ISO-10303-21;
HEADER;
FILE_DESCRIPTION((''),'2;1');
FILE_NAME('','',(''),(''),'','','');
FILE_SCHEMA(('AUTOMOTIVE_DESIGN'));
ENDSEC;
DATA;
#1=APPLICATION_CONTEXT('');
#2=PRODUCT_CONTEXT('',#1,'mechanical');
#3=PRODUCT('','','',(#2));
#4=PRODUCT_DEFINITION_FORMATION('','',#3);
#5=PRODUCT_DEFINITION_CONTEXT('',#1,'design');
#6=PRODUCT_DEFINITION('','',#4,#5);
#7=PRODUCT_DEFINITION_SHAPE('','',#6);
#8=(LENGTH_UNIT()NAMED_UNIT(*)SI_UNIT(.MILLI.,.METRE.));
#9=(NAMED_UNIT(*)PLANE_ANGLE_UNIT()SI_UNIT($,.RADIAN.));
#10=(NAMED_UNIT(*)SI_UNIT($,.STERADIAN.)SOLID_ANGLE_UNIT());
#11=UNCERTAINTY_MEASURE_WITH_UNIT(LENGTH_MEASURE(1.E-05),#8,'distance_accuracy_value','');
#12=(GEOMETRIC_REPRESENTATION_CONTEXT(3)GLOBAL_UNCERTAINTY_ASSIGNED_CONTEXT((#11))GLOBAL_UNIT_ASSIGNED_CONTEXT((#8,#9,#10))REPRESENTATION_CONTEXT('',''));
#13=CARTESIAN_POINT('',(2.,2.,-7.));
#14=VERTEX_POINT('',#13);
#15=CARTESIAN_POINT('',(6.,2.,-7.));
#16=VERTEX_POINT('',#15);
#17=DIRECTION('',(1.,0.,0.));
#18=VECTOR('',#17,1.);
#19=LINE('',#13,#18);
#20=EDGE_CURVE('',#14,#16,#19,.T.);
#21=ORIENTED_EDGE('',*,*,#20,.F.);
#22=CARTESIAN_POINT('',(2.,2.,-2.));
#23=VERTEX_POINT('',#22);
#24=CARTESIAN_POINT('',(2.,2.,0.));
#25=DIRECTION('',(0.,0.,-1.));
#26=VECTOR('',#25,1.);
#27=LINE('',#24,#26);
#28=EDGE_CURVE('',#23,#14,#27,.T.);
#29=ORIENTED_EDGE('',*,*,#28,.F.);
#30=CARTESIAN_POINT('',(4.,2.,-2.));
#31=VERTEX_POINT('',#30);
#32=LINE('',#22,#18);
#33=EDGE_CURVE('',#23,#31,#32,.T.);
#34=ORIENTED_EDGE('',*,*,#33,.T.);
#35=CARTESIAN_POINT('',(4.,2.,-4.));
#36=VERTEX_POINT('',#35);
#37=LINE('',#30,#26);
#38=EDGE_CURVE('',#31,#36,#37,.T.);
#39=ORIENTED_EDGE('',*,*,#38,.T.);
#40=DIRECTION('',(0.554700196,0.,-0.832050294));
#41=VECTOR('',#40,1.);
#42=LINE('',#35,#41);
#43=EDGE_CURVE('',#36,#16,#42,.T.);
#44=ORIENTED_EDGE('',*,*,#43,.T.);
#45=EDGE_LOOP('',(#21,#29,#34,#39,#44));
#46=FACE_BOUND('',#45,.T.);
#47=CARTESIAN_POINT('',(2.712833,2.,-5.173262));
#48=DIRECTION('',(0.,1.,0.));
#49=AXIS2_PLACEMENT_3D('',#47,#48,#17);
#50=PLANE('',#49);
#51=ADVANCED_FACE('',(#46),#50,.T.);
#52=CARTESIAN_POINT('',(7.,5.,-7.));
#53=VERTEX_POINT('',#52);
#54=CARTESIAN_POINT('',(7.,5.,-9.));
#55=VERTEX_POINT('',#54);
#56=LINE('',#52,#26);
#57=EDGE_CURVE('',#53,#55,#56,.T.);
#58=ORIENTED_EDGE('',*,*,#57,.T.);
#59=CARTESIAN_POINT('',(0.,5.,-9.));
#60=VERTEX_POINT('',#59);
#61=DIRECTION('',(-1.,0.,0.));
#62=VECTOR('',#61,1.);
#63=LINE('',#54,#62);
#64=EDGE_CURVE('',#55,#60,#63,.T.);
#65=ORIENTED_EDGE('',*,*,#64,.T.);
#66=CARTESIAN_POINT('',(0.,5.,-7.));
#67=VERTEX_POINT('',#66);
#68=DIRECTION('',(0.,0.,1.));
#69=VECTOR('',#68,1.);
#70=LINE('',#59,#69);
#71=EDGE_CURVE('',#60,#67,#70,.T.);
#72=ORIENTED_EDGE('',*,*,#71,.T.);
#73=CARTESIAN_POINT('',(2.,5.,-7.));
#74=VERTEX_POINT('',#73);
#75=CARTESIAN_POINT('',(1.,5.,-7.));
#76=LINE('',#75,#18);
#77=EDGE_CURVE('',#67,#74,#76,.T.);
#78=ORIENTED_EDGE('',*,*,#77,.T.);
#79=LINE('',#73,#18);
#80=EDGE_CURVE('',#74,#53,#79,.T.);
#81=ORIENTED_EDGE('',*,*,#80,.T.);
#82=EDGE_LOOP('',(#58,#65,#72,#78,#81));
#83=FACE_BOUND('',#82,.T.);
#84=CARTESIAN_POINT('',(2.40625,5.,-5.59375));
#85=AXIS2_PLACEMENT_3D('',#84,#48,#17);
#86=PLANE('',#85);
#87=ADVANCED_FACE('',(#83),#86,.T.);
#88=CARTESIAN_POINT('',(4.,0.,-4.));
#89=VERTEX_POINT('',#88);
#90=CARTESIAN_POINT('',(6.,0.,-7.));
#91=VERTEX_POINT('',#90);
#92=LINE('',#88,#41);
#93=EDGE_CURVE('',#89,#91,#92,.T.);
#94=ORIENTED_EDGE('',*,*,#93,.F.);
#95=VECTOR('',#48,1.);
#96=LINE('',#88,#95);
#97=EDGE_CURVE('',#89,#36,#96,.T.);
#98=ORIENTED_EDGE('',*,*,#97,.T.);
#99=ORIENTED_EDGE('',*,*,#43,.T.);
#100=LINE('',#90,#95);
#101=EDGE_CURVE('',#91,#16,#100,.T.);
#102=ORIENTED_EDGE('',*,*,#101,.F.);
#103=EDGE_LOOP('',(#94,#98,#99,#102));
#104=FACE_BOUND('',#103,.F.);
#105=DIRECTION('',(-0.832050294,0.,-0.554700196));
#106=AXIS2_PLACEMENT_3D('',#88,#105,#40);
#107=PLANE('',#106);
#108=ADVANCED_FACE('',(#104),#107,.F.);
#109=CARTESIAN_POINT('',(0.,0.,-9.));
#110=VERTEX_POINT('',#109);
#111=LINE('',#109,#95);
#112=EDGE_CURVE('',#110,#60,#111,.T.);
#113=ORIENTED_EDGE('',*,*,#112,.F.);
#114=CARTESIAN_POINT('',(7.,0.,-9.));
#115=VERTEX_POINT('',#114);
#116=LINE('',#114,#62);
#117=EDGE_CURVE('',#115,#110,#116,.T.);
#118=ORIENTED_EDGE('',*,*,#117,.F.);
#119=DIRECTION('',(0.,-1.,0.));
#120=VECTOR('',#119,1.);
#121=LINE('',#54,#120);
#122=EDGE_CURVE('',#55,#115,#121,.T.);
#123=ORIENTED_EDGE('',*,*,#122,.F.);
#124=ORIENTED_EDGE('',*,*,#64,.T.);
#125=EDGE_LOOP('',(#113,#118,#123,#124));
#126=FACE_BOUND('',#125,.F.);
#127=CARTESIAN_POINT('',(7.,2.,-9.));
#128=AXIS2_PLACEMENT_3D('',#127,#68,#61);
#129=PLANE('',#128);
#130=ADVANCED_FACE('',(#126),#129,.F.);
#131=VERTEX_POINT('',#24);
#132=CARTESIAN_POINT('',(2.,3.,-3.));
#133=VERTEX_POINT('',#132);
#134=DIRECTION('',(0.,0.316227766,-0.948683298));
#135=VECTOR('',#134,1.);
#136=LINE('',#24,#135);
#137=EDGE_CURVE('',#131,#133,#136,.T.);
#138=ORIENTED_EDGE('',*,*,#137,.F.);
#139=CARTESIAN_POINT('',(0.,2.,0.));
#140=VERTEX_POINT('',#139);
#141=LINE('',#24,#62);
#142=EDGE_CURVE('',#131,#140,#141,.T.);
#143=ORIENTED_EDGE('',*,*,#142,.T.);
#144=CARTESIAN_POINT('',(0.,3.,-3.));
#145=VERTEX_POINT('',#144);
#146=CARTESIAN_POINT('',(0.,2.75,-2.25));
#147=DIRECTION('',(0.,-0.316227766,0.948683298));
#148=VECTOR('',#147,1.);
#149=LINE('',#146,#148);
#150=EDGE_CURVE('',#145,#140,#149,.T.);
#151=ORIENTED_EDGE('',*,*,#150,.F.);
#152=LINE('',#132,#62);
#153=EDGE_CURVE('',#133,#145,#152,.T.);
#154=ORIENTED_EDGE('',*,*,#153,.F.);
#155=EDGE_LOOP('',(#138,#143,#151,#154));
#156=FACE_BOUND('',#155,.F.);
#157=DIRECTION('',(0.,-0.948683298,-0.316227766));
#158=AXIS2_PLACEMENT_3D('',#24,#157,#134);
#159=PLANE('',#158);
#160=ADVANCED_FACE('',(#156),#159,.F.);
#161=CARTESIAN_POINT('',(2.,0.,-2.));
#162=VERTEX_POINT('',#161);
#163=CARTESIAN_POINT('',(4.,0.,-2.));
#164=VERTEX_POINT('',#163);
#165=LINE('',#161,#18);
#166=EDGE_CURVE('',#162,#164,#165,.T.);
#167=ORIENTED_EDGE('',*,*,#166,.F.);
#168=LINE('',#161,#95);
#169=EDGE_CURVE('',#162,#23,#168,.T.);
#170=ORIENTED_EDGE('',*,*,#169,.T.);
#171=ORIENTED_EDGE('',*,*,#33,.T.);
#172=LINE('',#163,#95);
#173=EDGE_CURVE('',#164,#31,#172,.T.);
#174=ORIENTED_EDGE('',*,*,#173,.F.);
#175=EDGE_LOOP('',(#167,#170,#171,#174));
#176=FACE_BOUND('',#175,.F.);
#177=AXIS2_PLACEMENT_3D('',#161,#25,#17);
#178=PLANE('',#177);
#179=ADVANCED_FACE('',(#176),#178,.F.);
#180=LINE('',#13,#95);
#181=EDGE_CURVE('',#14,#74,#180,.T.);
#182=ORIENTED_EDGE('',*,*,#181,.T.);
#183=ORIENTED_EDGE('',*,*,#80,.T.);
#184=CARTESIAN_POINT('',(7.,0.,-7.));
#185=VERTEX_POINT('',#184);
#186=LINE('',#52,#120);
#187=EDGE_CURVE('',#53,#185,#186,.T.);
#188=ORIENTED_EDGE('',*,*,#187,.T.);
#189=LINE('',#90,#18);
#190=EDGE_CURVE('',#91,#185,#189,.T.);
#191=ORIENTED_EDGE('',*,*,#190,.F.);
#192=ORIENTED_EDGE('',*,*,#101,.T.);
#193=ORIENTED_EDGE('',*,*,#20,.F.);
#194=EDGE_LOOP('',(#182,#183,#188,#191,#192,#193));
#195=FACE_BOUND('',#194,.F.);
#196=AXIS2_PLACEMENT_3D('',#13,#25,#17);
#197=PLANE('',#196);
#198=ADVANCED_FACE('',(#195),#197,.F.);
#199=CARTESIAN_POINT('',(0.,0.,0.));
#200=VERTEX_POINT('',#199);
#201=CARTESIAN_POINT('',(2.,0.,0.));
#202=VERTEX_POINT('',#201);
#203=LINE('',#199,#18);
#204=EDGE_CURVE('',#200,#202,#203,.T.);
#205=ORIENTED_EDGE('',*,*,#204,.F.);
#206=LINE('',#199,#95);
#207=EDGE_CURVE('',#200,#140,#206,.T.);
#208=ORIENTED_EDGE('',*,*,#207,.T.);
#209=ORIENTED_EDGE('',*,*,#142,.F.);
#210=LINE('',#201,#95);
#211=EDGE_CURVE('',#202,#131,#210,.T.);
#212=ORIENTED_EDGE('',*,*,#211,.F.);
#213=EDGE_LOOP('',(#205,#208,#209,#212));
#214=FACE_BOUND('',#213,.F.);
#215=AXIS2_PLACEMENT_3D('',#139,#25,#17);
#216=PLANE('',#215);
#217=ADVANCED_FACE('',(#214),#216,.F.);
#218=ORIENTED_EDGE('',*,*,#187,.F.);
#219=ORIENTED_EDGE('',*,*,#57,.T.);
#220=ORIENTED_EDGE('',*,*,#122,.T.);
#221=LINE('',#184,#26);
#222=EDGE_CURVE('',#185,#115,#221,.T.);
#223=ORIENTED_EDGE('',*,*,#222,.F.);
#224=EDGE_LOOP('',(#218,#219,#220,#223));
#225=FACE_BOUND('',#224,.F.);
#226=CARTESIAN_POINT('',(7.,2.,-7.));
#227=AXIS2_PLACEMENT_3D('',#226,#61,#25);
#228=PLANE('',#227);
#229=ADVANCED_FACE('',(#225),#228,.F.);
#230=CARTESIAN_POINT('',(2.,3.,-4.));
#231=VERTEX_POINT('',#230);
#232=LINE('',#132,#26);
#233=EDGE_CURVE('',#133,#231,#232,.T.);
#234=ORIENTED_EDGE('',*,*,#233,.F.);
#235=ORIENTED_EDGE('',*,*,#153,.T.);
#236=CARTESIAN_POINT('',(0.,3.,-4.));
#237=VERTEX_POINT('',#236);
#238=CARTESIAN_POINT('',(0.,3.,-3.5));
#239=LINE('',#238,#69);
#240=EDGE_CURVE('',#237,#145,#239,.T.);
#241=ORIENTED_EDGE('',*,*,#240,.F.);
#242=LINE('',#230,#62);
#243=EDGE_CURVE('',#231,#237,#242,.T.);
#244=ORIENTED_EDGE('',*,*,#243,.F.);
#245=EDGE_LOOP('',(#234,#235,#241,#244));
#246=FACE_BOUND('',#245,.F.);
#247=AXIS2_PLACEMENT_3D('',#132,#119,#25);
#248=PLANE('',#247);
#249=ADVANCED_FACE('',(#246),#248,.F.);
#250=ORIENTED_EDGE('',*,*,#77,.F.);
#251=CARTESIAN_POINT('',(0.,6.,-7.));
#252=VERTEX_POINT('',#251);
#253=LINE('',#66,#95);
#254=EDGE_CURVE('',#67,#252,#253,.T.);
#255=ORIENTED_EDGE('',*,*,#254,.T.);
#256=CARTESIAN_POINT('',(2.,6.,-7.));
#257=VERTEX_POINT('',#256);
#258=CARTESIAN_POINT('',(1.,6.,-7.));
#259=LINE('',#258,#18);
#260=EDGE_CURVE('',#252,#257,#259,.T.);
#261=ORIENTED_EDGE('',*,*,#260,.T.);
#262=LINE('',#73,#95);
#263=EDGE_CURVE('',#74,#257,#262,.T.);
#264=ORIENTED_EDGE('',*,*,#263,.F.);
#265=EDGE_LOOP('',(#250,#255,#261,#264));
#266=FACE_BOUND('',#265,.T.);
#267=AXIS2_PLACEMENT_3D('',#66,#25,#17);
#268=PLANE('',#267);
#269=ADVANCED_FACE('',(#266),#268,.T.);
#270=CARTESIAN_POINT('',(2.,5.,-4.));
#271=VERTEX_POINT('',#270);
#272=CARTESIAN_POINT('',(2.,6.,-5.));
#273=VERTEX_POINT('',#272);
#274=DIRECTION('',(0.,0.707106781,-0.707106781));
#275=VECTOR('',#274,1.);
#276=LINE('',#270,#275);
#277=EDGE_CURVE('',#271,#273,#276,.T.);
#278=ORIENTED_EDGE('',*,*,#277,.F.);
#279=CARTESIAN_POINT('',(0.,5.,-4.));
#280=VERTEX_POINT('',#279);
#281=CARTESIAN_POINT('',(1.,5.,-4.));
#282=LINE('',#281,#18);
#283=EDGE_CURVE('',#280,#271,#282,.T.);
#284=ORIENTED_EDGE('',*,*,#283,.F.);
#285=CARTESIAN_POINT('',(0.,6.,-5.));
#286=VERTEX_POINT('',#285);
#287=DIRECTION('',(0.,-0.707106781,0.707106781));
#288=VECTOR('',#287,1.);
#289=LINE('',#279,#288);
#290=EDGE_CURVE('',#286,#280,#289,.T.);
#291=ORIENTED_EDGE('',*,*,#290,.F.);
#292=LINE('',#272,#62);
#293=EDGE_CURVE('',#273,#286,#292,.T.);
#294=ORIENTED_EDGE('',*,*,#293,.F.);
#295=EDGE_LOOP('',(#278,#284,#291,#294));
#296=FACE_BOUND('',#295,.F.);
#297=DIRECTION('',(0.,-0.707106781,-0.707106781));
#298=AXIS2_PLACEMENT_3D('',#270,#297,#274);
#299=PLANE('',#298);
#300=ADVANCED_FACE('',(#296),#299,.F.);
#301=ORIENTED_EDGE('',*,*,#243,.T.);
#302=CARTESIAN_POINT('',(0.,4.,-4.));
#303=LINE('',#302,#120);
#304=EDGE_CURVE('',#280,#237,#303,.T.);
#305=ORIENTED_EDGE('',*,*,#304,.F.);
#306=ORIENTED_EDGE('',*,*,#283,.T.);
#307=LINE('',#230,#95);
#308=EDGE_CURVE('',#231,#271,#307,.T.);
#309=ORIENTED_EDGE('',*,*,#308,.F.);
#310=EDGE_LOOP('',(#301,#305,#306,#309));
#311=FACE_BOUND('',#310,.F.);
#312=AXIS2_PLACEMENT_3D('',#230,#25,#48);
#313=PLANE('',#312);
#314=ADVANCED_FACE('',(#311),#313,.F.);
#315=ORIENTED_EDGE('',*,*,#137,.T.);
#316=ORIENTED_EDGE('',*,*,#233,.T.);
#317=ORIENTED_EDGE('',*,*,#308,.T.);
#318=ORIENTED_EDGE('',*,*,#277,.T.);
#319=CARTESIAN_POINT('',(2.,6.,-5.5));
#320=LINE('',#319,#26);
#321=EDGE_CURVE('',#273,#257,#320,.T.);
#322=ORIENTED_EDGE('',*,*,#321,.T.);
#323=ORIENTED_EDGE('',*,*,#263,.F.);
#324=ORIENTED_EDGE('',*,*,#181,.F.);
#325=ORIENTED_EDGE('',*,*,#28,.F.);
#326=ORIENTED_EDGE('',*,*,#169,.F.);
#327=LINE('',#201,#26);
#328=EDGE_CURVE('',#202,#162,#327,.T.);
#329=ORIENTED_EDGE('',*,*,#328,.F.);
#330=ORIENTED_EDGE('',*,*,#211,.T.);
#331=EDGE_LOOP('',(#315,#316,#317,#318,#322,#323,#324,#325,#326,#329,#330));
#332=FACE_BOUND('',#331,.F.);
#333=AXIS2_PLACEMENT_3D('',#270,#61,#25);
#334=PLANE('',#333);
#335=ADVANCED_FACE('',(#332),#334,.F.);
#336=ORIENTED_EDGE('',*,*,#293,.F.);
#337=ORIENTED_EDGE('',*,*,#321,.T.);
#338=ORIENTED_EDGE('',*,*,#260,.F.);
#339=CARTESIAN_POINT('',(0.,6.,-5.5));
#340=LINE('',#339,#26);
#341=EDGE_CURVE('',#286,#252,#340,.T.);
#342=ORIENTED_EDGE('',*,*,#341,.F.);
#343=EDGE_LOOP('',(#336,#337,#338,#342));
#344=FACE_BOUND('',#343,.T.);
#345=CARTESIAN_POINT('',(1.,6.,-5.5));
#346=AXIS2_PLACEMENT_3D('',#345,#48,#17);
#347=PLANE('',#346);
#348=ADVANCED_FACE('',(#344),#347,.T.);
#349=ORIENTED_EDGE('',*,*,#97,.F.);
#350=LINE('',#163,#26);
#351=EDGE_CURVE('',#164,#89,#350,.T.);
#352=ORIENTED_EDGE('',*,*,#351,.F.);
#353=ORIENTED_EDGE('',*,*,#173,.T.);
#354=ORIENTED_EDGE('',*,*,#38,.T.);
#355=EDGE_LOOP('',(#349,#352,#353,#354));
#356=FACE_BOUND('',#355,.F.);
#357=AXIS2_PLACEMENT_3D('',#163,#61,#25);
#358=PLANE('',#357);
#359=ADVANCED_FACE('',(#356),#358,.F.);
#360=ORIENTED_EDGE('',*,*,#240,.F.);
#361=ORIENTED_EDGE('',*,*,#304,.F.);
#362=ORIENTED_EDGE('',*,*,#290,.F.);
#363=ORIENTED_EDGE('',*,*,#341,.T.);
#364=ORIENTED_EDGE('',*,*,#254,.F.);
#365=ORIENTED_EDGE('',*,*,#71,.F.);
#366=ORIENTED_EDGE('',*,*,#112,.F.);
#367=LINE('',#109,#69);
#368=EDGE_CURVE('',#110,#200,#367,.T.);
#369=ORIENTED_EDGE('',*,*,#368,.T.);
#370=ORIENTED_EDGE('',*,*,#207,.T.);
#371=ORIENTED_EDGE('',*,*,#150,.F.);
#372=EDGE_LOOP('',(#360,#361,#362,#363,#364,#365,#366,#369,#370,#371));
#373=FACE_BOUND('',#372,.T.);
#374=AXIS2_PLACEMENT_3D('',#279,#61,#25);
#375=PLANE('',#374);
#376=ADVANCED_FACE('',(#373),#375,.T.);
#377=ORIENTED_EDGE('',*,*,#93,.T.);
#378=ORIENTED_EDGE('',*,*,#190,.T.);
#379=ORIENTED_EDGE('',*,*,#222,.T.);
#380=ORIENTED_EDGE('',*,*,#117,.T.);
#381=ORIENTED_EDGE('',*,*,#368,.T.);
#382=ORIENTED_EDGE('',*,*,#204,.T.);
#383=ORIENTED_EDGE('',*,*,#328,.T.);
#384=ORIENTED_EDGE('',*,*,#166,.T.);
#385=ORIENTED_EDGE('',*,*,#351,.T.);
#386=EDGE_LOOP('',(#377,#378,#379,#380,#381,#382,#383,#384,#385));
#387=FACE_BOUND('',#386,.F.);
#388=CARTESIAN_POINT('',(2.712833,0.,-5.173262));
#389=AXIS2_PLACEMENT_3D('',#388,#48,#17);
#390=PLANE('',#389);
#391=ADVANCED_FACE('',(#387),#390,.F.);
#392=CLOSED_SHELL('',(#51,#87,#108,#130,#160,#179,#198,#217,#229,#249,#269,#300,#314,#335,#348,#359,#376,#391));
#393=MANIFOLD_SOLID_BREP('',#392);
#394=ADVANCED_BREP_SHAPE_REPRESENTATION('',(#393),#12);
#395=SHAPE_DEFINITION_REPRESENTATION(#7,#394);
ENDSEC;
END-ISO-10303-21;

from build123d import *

# Parameters (mm, degrees)
BOSS_EXTRUDE1_DEPTH = 2
BOSS_EXTRUDE2_DEPTH = 3
SKETCH3_W           = 2
SKETCH3_H           = 3
BOSS_EXTRUDE3_DEPTH = 1
CUT_EXTRUDE1_DEPTH  = 3


with BuildPart() as part:
    # Sketch1 → Boss-Extrude1 (new body)
    with BuildSketch(Plane(origin=(0, 0, 0), x_dir=(1, 0, 0), z_dir=(0, 1, 0))):
        Polygon((0, 0), (2, 0), (2, 2), (4, 2), (4, 4), (6, 7), (7, 7), (7, 9), (0, 9), align=None)
    extrude(amount=BOSS_EXTRUDE1_DEPTH)

    # Sketch2 → Boss-Extrude2 (add)
    with BuildSketch(Plane(origin=(0, 2, 0), x_dir=(1, 0, 0), z_dir=(0, 1, 0))):
        Polygon((7, 9), (0, 9), (0, 0), (2, 0), (2, 7), (7, 7), align=None)
    extrude(amount=BOSS_EXTRUDE2_DEPTH)

    # Sketch3 → Boss-Extrude3 (add)
    with BuildSketch(Plane(origin=(0, 5, 0), x_dir=(1, 0, 0), z_dir=(0, 1, 0))):
        with Locations((1, 5.5)):
            Rectangle(SKETCH3_W, SKETCH3_H)
    extrude(amount=BOSS_EXTRUDE3_DEPTH)

    # Sketch4 → Cut-Extrude1 (cut, through all)
    with BuildSketch(Plane(origin=(2, 0, 0), x_dir=(0, 0, -1), z_dir=(1, 0, 0))):
        Polygon((4, 5), (5, 6), (4, 6), align=None)
        Polygon((4, 3), (4, 5), (0, 5), (0, 2), (3, 3), align=None)
    extrude(amount=-CUT_EXTRUDE1_DEPTH, mode=Mode.SUBTRACT)


solid = part.part
